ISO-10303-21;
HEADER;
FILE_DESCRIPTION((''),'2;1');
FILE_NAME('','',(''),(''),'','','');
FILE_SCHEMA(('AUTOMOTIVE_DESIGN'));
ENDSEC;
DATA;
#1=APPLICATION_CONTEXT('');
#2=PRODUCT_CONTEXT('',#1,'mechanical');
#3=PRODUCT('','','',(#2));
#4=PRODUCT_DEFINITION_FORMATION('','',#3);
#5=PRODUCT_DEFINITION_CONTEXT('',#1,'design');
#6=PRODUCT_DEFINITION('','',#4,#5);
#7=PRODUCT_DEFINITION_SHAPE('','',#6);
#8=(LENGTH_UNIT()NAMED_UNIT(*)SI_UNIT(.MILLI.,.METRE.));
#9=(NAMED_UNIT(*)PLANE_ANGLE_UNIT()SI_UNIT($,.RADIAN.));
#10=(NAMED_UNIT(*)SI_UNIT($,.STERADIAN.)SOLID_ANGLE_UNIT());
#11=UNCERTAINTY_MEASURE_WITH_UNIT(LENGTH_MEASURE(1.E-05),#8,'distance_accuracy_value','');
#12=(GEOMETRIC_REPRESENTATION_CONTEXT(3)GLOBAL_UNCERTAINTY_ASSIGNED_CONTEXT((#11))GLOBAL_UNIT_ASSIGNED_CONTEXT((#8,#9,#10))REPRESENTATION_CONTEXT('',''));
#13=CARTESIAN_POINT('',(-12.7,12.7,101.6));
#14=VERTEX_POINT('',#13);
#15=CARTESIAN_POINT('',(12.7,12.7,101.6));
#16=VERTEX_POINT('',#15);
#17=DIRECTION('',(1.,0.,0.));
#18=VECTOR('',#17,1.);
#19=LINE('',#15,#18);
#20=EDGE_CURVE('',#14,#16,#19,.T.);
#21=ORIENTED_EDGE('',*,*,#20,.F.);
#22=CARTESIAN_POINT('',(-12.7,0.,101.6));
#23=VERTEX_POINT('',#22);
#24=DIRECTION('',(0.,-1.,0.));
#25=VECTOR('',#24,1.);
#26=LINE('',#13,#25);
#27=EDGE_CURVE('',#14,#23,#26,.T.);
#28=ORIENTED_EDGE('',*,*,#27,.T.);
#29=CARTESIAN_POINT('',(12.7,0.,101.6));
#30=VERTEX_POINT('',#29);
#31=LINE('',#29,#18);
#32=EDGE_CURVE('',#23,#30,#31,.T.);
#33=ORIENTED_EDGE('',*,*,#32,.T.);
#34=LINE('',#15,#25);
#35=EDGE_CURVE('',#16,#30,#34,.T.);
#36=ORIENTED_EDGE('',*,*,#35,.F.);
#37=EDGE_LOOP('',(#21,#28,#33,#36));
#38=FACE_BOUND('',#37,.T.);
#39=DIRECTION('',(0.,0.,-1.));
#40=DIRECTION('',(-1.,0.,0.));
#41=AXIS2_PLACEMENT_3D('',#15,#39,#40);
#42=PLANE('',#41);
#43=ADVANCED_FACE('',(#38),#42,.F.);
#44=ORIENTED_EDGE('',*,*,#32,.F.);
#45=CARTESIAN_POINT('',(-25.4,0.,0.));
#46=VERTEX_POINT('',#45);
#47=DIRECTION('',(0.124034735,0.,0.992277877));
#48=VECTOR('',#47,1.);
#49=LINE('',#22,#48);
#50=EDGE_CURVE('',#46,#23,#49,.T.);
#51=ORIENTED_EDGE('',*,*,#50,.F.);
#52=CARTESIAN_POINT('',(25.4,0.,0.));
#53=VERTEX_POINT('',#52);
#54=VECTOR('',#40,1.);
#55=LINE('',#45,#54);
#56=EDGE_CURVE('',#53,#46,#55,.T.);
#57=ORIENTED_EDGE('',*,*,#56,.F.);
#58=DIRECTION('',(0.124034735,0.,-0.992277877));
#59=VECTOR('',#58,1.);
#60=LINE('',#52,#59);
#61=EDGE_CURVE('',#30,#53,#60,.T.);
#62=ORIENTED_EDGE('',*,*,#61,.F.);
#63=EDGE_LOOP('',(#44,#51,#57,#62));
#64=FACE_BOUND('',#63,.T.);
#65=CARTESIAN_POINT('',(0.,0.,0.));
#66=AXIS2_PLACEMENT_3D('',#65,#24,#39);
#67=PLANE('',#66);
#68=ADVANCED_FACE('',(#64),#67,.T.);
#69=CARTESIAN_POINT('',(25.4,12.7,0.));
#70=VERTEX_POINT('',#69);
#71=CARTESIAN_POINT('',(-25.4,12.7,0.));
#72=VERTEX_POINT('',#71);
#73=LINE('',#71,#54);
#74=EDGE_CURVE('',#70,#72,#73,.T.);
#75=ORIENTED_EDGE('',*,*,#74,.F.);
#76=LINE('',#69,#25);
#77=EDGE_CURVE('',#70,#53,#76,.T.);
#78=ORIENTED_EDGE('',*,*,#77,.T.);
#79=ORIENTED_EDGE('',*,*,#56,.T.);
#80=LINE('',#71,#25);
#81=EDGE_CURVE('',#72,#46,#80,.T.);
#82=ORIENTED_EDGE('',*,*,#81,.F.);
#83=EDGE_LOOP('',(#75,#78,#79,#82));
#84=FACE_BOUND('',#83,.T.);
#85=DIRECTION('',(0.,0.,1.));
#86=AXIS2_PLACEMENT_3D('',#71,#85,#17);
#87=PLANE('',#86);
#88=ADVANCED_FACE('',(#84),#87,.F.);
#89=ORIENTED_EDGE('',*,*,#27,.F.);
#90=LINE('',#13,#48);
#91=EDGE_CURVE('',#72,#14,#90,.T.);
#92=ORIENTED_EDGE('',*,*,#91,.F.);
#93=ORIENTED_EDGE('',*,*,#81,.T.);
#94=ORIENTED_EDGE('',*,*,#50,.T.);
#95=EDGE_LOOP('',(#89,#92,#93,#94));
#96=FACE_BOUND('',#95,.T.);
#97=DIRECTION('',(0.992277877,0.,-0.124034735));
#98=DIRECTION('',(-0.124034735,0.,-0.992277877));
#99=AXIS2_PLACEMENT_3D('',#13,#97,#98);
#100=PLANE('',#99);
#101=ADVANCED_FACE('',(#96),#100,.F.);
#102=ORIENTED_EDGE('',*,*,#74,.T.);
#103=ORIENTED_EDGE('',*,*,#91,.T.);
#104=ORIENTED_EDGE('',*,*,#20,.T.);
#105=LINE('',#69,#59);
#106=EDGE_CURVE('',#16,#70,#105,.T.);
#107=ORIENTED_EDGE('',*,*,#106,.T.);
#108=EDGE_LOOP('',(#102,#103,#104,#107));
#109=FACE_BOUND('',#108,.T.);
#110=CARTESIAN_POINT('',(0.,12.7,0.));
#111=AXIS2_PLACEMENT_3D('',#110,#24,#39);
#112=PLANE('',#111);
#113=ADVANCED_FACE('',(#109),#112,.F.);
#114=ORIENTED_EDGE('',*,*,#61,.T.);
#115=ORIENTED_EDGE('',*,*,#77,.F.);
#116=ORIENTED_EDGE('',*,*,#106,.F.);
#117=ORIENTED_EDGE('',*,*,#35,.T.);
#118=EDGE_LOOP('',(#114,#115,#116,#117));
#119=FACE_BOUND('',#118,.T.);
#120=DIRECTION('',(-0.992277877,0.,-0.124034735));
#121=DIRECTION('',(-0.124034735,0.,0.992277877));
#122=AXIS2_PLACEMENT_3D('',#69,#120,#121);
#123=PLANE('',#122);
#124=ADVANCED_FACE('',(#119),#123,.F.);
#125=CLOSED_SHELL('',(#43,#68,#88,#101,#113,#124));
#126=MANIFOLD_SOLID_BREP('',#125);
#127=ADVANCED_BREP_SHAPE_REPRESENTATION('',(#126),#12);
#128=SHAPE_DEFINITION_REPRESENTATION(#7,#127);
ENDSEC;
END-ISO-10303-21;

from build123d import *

# Parameters (mm, degrees)
BOSS_EXTRUDE1_DEPTH = 12.7


with BuildPart() as part:
    # Sketch1 → Boss-Extrude1 (new body)
    with BuildSketch(Plane(origin=(0, 0, 0), x_dir=(1, 0, 0), z_dir=(0, 1, 0))):
        Polygon((-25.4, 0), (25.4, 0), (12.7, -101.6), (-12.7, -101.6), align=None)
    extrude(amount=BOSS_EXTRUDE1_DEPTH)


solid = part.part
